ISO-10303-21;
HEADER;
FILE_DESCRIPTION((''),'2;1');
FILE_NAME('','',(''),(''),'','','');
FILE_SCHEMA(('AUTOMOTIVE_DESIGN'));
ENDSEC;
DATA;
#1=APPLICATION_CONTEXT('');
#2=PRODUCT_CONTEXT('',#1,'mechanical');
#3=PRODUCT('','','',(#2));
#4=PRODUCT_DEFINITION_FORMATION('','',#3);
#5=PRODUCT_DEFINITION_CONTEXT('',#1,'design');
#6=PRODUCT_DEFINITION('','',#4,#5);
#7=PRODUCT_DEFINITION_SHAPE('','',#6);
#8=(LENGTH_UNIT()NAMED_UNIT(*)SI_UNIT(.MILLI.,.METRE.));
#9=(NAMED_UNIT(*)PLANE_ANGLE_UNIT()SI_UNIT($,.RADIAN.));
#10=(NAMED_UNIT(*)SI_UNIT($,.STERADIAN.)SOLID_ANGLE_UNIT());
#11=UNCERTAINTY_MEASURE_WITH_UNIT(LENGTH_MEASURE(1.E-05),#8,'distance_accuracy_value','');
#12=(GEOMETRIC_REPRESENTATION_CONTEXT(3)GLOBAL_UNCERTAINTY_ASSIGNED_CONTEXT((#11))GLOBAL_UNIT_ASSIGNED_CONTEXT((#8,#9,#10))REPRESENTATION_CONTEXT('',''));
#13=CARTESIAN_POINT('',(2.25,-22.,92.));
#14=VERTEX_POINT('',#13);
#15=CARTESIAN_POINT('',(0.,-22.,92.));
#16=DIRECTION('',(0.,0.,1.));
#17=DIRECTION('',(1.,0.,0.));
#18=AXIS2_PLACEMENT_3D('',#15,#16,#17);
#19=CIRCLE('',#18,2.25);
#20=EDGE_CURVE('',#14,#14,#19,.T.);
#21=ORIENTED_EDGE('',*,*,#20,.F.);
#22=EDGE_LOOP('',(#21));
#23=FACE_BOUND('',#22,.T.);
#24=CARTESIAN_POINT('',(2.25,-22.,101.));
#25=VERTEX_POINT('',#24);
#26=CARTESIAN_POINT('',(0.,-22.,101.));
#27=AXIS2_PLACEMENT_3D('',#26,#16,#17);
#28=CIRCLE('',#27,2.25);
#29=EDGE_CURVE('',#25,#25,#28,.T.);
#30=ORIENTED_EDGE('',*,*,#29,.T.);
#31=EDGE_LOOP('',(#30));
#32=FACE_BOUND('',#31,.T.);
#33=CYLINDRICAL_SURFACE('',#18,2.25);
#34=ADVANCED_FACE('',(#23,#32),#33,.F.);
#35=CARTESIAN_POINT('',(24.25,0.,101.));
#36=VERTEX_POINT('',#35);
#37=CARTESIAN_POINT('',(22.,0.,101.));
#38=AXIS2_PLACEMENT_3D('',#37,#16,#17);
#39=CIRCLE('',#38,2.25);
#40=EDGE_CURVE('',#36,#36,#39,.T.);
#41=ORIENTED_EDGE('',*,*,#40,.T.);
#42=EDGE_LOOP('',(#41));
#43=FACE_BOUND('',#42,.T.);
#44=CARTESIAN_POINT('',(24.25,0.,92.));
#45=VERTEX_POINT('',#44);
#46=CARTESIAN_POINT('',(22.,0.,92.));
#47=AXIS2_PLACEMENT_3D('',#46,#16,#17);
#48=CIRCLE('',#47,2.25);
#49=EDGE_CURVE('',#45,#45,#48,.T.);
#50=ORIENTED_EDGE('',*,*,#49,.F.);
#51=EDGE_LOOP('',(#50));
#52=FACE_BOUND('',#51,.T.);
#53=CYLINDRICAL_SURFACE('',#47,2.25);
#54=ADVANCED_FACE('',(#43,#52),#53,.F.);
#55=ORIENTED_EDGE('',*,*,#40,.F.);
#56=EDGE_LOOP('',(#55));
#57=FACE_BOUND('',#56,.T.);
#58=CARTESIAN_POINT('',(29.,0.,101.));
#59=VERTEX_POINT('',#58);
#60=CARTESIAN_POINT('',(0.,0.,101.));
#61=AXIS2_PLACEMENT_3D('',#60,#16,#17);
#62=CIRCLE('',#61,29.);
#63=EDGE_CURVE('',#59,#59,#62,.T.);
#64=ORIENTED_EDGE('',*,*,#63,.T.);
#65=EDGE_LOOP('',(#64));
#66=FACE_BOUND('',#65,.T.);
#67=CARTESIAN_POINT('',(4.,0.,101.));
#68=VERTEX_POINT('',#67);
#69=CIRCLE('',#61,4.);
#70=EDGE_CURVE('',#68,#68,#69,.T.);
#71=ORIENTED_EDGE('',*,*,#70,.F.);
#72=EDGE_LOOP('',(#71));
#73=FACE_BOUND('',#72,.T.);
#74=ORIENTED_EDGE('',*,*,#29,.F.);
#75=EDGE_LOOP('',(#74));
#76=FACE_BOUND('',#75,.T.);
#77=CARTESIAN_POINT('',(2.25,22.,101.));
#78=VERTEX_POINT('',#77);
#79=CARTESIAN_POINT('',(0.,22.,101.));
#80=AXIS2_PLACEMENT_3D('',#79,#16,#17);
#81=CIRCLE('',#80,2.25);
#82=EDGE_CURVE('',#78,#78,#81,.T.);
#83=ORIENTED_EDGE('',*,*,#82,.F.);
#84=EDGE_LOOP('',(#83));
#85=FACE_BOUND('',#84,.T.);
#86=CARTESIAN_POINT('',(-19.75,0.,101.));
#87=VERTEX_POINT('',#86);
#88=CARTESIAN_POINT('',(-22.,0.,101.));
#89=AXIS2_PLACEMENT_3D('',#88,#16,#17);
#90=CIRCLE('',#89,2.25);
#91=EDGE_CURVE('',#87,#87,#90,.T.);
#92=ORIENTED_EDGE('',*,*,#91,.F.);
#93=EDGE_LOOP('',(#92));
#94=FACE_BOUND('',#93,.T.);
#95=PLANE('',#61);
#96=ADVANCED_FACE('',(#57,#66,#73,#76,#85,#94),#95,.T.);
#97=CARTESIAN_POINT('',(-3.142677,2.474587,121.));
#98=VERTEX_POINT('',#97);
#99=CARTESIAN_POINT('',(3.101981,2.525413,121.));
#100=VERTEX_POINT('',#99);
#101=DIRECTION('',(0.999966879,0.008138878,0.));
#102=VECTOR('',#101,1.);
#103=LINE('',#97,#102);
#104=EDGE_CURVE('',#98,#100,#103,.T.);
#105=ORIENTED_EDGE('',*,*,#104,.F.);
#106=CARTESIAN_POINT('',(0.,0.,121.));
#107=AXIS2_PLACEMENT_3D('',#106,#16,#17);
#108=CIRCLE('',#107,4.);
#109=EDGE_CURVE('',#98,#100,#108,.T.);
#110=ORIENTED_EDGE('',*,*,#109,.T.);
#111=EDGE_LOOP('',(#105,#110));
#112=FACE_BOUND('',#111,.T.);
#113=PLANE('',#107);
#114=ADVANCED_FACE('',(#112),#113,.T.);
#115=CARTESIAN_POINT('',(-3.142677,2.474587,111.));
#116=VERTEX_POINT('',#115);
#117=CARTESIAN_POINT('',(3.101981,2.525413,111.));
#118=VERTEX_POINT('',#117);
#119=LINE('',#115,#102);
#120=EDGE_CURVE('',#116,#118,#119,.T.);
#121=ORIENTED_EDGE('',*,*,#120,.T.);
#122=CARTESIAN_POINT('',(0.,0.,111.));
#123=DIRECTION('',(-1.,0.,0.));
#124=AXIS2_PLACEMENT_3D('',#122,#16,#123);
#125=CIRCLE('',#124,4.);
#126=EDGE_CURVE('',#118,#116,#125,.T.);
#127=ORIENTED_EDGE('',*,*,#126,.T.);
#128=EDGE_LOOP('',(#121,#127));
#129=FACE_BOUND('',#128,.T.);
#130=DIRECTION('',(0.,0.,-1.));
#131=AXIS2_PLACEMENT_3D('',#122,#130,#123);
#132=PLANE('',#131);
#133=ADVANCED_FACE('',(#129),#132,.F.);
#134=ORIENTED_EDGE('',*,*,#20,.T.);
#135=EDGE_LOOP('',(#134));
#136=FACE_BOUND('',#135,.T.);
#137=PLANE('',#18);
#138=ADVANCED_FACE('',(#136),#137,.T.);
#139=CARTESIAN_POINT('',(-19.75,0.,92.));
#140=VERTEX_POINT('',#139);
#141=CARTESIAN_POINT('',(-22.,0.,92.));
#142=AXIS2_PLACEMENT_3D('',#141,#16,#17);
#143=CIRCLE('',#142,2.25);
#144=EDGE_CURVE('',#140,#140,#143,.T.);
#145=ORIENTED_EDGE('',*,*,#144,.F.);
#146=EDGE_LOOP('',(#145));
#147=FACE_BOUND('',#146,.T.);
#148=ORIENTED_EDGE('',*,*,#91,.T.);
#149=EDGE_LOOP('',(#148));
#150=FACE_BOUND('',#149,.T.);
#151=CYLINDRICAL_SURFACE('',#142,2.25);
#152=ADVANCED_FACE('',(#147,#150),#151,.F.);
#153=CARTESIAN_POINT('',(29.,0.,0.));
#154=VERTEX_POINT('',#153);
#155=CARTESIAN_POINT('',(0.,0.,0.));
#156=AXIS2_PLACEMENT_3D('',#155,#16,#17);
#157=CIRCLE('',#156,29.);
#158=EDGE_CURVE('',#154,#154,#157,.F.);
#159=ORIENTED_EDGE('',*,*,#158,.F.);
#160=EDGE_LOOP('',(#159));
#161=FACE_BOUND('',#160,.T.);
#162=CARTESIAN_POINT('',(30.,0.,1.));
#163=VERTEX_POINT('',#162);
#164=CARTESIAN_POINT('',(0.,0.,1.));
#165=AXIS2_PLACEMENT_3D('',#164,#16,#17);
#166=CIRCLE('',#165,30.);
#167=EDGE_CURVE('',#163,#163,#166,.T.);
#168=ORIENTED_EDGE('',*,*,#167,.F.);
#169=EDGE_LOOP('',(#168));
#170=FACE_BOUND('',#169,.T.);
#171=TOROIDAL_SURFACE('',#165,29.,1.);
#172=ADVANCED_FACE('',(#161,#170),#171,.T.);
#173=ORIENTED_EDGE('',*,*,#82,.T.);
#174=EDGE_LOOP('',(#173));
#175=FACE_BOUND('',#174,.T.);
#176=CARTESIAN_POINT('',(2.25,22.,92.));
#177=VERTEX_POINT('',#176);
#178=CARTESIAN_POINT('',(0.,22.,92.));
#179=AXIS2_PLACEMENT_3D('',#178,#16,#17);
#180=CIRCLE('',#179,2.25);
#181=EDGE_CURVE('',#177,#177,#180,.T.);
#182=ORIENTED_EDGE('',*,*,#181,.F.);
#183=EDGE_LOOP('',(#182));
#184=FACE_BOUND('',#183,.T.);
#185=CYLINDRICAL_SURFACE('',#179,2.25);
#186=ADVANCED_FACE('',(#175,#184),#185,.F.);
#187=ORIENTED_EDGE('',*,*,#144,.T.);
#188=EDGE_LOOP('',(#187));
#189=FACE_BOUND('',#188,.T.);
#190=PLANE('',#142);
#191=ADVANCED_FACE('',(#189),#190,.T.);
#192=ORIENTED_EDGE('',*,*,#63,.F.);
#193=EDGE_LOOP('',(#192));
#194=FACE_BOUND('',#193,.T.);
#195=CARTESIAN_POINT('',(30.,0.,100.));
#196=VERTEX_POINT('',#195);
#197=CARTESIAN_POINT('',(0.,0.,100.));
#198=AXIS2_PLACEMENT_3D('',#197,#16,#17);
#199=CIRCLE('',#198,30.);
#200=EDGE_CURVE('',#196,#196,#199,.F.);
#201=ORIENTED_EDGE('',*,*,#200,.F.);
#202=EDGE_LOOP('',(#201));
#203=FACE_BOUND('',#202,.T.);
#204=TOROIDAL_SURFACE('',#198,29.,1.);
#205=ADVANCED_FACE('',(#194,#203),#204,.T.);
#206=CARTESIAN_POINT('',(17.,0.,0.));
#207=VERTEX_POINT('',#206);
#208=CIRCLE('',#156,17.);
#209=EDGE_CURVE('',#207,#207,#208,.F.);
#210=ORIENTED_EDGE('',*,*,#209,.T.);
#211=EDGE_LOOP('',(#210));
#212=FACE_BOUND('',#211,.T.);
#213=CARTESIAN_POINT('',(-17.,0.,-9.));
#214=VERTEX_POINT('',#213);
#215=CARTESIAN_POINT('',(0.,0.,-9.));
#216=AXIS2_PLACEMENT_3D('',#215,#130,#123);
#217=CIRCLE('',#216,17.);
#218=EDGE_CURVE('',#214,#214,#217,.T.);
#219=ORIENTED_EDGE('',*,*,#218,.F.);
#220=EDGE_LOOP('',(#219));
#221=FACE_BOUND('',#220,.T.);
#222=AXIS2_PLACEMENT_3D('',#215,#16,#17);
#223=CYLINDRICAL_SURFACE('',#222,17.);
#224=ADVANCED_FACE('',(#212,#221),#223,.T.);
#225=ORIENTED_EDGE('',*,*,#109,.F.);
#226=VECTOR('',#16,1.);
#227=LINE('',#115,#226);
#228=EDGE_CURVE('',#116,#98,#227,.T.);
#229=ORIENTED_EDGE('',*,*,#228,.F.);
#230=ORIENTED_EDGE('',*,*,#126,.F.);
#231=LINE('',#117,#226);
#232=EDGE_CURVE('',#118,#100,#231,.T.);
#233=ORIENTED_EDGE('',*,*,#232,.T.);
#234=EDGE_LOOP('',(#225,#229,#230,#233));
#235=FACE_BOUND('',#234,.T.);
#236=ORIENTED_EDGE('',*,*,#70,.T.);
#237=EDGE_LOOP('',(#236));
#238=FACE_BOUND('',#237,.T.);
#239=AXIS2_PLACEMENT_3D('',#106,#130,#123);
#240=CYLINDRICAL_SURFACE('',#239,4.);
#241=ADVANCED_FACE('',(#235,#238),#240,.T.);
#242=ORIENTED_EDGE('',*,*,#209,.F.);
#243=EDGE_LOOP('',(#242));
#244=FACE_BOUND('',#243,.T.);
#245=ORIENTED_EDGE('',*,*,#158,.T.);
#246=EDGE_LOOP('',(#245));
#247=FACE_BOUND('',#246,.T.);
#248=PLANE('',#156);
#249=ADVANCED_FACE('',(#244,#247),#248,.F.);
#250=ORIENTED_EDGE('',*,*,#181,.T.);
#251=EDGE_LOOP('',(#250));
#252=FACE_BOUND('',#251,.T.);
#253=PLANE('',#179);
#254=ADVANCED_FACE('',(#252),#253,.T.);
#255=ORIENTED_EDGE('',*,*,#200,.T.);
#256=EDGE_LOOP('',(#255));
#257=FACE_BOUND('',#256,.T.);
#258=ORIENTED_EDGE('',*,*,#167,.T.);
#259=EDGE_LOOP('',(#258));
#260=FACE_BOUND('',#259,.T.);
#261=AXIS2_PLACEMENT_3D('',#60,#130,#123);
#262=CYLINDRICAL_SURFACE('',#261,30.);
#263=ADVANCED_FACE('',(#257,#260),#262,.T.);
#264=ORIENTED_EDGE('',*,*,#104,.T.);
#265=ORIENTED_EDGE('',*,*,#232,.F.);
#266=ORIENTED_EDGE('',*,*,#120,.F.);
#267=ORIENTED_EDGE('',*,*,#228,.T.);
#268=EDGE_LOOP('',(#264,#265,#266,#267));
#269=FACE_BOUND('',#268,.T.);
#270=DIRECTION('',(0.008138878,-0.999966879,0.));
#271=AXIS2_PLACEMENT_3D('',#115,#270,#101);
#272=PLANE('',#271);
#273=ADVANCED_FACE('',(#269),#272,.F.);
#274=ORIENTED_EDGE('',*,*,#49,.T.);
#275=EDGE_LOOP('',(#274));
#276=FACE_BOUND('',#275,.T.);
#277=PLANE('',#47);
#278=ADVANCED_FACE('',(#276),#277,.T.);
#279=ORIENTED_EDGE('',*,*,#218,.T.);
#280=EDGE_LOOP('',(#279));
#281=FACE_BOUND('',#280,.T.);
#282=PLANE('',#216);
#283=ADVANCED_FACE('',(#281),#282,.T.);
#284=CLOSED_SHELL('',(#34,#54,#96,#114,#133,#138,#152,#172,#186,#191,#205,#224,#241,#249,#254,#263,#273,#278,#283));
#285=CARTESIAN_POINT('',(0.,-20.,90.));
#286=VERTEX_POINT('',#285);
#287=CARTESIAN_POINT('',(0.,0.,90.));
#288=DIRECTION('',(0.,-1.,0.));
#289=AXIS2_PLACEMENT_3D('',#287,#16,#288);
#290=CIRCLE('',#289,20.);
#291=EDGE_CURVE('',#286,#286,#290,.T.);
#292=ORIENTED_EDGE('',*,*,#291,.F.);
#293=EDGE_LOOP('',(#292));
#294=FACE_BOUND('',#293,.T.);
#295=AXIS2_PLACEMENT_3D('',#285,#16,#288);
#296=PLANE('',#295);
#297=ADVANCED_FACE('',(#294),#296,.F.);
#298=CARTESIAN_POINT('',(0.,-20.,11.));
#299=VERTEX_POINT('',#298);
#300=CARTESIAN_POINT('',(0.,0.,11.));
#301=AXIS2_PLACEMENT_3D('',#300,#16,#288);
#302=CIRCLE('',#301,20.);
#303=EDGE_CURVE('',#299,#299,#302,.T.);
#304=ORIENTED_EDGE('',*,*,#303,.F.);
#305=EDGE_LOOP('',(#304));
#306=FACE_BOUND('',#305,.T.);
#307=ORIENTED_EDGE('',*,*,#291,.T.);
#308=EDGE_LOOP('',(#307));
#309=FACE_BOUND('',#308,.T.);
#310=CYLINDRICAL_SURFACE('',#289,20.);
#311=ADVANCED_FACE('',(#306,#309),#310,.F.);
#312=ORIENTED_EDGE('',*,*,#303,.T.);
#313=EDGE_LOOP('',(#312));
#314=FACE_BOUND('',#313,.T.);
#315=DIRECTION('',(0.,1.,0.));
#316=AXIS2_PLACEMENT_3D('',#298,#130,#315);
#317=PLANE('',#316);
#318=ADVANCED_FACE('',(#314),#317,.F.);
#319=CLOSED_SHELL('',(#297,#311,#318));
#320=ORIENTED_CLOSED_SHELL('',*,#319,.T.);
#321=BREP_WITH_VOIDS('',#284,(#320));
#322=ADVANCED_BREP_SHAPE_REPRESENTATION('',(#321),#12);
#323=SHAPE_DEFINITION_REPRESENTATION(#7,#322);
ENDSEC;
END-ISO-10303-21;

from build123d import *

# Parameters (mm, degrees)
ESQUISSE1_R             = 30
BOSS_EXTRU_1_DEPTH      = 101
ESQUISSE2_R             = 4
BOSS_EXTRU_2_DEPTH      = 20
ENL_V_START             = -10
ENL_V_MAT_EXTRU_1_DEPTH = 10
CONG_1_R                = 1
ESQUISSE4_R             = 17
BOSS_EXTRU_3_DEPTH      = 9
ESQUISSE5_R             = 2.25
ENL_V_MAT_EXTRU_2_DEPTH = 9
ESQUISSE7_W             = 20
ESQUISSE7_H             = 79


with BuildPart() as part:
    # Esquisse1 → Boss.-Extru.1 (new body)
    with BuildSketch(Plane(origin=(0, 0, 0), x_dir=(0, 1, 0), z_dir=(0, 0, 1))):
        with Locations(Location((0, 0, 0), (0, 0, 270))):
            Circle(ESQUISSE1_R)
    extrude(amount=BOSS_EXTRU_1_DEPTH)

    # Esquisse2 → Boss.-Extru.2 (add)
    with BuildSketch(Plane.XY.offset(101)):
        Circle(ESQUISSE2_R)
    extrude(amount=BOSS_EXTRU_2_DEPTH)

    # Esquisse3 → Enlèv. mat.-Extru.1 (cut)
    with BuildSketch(Plane.XY.offset(121).offset(ENL_V_START)):
        with BuildLine():
            Line((-3.142677151, 2.4745869), (3.101981411, 2.5254131))
            ThreePointArc((3.101981411, 2.5254131), (-0.032555514, 3.999867515), (-3.142677151, 2.4745869))
        make_face()
    extrude(amount=ENL_V_MAT_EXTRU_1_DEPTH, mode=Mode.SUBTRACT)

    # Congé1
    cong_1_edges = [part.edges().sort_by_distance(p)[0] for p in [
        (-30, 0, 0),
        (-30, 0, 101),
    ]]
    fillet(cong_1_edges, radius=CONG_1_R)

    # Esquisse4 → Boss.-Extru.3 (add)
    with BuildSketch(Plane(origin=(0, 0, 0), x_dir=(1, 0, 0), z_dir=(0, 0, -1))):
        Circle(ESQUISSE4_R)
    extrude(amount=BOSS_EXTRU_3_DEPTH)

    # Esquisse5 → Enlèv. mat.-Extru.2 (cut)
    with BuildSketch(Plane.XY.offset(101)):
        with Locations((0, 22)):
            Circle(ESQUISSE5_R)
        with Locations((22, 0)):
            Circle(ESQUISSE5_R)
        with Locations((0, -22)):
            Circle(ESQUISSE5_R)
        with Locations((-22, 0)):
            Circle(ESQUISSE5_R)
    extrude(amount=-ENL_V_MAT_EXTRU_2_DEPTH, mode=Mode.SUBTRACT)

    # Esquisse7 → Enlèvement de matière-Révolution1 (revolve, cut)
    with BuildSketch(Plane.YZ, mode=Mode.PRIVATE) as enl_vement_de_mati_re_r_volution1_sk:
        with Locations((-10, 50.5)):
            Rectangle(ESQUISSE7_W, ESQUISSE7_H)
    revolve(enl_vement_de_mati_re_r_volution1_sk.sketch.rotate(Axis((0, 0, 90), (0, 0, -1)), 128.217378369), axis=Axis((0, 0, 90), (0, 0, -1)), mode=Mode.SUBTRACT)


solid = part.part
